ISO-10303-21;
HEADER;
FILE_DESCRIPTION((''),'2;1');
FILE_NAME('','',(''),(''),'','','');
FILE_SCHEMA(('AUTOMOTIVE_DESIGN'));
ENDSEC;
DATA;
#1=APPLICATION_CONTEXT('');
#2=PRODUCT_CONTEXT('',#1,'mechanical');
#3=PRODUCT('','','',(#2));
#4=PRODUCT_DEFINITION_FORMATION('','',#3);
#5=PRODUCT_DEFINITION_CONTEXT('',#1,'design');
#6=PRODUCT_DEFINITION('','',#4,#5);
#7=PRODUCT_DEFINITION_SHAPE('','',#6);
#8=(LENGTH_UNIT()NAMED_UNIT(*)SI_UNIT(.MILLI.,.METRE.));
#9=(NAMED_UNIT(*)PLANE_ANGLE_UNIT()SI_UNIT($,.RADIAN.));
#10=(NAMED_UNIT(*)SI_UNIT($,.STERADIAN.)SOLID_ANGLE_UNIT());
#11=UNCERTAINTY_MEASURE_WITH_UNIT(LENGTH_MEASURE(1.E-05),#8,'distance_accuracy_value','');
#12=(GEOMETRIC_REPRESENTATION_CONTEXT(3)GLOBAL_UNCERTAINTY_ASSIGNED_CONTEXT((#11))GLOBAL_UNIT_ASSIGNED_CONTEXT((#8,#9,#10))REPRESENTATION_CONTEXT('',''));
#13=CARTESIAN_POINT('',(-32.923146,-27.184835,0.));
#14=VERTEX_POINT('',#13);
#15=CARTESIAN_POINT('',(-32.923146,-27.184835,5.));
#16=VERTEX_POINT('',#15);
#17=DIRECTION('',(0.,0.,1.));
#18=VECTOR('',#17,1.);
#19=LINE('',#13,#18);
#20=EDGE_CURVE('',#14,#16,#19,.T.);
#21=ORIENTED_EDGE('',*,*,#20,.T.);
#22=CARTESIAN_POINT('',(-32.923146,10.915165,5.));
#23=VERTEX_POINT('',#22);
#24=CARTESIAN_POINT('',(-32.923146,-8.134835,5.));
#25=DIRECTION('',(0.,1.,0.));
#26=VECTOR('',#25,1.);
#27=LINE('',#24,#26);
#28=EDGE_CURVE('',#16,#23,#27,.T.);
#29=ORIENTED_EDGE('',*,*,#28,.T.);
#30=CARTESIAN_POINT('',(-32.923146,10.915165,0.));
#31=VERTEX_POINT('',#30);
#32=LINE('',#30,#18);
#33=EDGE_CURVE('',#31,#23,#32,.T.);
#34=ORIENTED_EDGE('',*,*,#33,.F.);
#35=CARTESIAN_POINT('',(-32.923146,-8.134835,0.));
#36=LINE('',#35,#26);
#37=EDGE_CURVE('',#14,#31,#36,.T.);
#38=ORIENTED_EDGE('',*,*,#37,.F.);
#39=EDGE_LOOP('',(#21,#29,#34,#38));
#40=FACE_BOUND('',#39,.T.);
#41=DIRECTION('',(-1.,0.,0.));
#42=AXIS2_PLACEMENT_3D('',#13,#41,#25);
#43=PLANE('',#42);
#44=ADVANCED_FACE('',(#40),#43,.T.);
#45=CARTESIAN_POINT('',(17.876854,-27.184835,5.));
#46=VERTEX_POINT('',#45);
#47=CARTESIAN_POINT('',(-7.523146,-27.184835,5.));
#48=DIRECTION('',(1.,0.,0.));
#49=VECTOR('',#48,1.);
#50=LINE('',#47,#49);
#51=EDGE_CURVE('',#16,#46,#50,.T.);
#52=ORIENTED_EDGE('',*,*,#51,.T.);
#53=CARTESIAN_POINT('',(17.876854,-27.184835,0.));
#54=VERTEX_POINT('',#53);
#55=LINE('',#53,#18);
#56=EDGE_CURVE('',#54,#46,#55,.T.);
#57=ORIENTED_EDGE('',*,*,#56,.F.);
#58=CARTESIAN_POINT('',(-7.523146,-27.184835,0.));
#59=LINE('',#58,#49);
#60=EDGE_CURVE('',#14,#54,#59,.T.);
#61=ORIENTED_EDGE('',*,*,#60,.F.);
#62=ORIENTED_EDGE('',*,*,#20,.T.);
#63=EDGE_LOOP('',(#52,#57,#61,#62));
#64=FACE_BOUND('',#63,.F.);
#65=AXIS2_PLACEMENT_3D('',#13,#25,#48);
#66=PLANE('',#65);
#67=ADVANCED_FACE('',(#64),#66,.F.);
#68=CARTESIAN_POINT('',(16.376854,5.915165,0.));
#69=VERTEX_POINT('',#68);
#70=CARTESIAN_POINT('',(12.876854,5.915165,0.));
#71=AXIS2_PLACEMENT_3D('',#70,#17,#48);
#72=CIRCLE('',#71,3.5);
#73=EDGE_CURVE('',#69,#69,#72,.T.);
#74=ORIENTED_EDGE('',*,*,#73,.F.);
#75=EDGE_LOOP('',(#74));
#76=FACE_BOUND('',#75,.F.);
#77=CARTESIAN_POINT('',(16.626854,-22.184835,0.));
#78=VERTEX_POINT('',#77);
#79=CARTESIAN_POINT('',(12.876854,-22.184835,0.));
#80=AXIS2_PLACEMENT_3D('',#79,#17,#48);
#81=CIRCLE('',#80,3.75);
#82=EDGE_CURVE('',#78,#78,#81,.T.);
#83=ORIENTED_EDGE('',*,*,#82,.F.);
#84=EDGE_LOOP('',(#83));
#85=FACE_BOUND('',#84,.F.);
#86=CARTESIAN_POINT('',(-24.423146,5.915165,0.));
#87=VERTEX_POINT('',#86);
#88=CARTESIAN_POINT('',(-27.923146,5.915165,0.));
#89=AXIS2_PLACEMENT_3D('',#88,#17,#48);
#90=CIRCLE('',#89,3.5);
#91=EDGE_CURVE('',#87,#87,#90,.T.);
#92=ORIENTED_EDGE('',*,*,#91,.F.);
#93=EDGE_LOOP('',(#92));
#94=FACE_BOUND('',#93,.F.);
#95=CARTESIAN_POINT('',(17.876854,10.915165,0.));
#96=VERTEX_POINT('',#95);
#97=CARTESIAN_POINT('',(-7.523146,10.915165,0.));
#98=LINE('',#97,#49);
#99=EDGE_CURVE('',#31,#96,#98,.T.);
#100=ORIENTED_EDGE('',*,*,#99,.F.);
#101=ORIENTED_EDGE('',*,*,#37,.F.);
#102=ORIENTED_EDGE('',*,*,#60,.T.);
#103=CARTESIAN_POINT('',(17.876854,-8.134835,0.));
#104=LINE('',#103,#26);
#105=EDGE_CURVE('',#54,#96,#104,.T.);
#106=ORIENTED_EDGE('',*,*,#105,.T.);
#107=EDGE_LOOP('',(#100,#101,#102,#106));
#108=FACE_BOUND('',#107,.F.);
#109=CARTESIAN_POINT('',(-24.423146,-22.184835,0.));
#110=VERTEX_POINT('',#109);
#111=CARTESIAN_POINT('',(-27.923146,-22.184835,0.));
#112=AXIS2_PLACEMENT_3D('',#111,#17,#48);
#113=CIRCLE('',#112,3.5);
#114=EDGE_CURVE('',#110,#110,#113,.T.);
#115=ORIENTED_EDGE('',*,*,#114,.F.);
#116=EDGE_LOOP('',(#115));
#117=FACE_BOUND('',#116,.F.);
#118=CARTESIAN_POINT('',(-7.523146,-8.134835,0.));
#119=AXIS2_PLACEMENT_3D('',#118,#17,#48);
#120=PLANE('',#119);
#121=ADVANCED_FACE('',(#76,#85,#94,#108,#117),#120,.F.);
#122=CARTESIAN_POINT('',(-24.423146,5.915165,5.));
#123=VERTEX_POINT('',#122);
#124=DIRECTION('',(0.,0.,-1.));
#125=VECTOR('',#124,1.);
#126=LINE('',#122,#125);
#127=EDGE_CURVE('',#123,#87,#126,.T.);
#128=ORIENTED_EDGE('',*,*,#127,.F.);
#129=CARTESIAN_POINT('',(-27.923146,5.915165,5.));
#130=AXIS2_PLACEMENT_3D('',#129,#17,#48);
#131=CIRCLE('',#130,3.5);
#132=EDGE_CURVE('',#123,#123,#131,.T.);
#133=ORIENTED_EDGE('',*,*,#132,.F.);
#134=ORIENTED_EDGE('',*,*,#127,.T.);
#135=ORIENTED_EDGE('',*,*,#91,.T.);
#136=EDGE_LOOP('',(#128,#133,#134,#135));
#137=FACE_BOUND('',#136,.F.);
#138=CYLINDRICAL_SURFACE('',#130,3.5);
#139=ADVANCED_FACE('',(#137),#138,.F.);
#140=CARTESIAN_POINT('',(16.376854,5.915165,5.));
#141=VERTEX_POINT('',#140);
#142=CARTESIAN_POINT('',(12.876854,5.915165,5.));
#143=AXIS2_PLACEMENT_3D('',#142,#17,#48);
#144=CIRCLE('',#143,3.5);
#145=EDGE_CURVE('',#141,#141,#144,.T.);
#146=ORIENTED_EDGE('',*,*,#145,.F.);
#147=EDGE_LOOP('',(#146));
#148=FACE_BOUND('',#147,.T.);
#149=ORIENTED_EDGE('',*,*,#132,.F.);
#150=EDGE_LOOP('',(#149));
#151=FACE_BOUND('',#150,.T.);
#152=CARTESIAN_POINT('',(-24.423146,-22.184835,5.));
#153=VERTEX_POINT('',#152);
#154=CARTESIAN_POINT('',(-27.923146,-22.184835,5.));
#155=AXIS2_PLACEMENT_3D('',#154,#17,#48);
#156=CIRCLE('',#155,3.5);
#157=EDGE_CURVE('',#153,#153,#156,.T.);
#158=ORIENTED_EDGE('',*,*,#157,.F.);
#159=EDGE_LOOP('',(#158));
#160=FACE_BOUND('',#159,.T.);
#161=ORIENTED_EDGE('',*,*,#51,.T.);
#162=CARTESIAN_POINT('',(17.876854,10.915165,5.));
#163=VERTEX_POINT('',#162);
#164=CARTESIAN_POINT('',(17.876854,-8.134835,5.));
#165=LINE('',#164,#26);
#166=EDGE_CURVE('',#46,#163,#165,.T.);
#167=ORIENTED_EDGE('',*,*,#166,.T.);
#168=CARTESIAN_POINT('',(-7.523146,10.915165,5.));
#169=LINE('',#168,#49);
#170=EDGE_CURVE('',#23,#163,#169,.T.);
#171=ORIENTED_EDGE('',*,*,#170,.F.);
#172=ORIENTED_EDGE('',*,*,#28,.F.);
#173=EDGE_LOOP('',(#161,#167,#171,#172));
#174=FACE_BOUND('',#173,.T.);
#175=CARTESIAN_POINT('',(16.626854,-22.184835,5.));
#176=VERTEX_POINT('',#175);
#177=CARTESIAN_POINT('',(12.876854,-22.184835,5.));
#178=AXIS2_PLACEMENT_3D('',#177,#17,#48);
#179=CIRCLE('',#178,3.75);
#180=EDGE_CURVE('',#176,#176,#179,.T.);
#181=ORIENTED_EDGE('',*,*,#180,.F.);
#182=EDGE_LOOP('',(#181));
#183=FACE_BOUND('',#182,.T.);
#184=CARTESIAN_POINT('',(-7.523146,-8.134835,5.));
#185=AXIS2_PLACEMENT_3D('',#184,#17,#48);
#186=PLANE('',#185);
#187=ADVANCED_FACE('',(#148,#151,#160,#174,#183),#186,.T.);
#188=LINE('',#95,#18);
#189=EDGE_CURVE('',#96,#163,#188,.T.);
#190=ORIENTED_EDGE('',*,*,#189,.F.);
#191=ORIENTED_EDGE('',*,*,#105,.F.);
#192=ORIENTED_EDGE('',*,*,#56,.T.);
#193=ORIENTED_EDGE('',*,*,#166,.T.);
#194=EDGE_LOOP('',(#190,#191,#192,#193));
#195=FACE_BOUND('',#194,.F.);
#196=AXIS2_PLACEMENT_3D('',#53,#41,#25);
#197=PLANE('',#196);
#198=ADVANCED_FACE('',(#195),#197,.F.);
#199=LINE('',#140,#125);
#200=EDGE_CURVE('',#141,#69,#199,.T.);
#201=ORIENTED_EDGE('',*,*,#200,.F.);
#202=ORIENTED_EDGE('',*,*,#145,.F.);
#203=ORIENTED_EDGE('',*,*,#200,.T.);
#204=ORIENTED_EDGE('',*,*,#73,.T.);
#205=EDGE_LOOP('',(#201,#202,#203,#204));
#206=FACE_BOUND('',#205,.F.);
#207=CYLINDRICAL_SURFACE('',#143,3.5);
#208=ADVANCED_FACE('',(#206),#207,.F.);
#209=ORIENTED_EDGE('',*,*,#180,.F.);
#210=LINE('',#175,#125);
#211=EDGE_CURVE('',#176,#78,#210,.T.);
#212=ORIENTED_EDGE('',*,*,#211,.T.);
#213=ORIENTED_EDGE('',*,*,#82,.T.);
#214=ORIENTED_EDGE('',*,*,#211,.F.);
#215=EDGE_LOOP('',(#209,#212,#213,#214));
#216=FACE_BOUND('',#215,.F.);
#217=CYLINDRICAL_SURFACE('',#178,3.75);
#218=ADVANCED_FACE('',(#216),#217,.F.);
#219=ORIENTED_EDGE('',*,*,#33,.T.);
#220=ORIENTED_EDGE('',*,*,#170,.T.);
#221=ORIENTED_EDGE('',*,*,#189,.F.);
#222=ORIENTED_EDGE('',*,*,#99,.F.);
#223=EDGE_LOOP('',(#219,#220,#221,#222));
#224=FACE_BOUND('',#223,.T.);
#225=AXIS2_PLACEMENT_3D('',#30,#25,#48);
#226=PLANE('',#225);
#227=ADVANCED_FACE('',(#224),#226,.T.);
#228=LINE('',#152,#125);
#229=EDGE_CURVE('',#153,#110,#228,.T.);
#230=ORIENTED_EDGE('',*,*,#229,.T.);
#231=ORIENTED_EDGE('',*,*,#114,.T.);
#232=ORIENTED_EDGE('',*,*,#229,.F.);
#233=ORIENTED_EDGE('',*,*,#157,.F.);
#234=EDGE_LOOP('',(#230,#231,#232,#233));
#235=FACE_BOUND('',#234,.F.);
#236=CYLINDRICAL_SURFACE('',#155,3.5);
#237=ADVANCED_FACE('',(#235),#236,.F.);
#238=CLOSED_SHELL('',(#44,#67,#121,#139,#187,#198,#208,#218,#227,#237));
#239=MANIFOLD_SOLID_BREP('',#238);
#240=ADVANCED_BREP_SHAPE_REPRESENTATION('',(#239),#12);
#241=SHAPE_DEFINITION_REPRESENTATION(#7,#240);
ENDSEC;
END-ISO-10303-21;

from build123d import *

# Parameters (mm, degrees)
F0_W     = 50.8
F0_H     = 38.1
F1_DEPTH = 5
F2_R     = 3.5
F2_R_2   = 3.75
F3_DEPTH = 5


with BuildPart() as f1:
    # F0 (on Top) → F1 (new body)
    with BuildSketch(Plane.XY):
        with Locations((-7.523146, -8.134835)):
            Rectangle(F0_W, F0_H)
    extrude(amount=F1_DEPTH)

    # F2 (on face) → F3 (cut)
    with BuildSketch(Plane.XY.offset(5)):
        with Locations((-27.923146, -22.184835)):
            Circle(F2_R)
        with Locations((12.876854, 5.915165)):
            Circle(F2_R)
        with Locations((12.876854, -22.184835)):
            Circle(F2_R_2)
        with Locations((-27.923146, 5.915165)):
            Circle(F2_R)
    extrude(amount=-F3_DEPTH, mode=Mode.SUBTRACT)


solid = f1.part
